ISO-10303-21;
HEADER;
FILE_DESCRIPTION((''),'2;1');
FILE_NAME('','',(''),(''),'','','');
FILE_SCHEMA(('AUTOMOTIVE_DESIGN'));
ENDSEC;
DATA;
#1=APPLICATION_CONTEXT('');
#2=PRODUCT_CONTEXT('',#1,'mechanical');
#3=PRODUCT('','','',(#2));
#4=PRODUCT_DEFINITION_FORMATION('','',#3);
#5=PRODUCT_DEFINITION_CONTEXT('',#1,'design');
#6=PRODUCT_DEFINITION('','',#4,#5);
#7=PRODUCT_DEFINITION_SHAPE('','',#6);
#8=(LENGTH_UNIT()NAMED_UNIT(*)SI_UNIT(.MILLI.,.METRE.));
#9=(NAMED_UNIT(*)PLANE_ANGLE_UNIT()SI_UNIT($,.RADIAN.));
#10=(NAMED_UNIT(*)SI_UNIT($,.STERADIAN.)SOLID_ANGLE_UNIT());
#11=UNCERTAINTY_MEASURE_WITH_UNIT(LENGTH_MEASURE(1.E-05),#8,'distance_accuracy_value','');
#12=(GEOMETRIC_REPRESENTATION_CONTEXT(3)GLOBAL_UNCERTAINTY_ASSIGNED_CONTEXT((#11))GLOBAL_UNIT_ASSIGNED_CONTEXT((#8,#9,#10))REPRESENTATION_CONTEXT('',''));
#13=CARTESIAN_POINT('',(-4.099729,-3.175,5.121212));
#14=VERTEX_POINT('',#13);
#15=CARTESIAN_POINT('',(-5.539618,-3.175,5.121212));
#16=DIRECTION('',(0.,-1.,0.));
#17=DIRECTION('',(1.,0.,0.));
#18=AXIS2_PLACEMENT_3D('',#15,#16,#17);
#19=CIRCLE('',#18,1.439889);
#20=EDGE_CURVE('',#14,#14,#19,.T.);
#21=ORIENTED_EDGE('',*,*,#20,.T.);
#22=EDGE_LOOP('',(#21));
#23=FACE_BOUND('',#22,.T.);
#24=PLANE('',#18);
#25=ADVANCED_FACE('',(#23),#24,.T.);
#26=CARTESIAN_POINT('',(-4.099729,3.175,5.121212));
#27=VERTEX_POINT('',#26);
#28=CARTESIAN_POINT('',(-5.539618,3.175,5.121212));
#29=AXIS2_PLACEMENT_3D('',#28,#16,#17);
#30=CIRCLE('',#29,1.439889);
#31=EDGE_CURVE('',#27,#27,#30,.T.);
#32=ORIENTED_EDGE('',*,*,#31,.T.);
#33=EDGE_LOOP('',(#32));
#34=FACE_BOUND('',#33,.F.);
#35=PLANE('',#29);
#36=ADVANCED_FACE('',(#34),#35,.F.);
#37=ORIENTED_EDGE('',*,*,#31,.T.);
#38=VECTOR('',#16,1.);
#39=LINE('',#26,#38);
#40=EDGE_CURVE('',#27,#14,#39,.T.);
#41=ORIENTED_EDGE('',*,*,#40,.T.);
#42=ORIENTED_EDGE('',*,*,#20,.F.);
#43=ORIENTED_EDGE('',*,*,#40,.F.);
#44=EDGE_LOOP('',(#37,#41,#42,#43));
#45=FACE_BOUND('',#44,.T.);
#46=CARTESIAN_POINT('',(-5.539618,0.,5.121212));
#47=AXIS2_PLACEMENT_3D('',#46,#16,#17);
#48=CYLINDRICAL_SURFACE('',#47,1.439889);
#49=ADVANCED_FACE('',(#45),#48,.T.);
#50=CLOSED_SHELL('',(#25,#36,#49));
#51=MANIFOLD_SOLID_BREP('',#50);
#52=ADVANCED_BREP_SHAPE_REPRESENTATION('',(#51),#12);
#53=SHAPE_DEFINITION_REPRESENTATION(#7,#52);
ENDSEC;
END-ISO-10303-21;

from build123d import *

# Parameters (mm, degrees)
F0_R          = 1.439889
F1_DEPTH      = 3.175
F1_DEPTH_BACK = 3.175


with BuildPart() as f1:
    # F0 (on Front) → F1 (new body, two sides)
    with BuildSketch(Plane.XZ) as f1_sk:
        with Locations((-5.539618, 5.121212)):
            Circle(F0_R)
    extrude(amount=F1_DEPTH)
    extrude(f1_sk.sketch, amount=-F1_DEPTH_BACK)


solid = f1.part
